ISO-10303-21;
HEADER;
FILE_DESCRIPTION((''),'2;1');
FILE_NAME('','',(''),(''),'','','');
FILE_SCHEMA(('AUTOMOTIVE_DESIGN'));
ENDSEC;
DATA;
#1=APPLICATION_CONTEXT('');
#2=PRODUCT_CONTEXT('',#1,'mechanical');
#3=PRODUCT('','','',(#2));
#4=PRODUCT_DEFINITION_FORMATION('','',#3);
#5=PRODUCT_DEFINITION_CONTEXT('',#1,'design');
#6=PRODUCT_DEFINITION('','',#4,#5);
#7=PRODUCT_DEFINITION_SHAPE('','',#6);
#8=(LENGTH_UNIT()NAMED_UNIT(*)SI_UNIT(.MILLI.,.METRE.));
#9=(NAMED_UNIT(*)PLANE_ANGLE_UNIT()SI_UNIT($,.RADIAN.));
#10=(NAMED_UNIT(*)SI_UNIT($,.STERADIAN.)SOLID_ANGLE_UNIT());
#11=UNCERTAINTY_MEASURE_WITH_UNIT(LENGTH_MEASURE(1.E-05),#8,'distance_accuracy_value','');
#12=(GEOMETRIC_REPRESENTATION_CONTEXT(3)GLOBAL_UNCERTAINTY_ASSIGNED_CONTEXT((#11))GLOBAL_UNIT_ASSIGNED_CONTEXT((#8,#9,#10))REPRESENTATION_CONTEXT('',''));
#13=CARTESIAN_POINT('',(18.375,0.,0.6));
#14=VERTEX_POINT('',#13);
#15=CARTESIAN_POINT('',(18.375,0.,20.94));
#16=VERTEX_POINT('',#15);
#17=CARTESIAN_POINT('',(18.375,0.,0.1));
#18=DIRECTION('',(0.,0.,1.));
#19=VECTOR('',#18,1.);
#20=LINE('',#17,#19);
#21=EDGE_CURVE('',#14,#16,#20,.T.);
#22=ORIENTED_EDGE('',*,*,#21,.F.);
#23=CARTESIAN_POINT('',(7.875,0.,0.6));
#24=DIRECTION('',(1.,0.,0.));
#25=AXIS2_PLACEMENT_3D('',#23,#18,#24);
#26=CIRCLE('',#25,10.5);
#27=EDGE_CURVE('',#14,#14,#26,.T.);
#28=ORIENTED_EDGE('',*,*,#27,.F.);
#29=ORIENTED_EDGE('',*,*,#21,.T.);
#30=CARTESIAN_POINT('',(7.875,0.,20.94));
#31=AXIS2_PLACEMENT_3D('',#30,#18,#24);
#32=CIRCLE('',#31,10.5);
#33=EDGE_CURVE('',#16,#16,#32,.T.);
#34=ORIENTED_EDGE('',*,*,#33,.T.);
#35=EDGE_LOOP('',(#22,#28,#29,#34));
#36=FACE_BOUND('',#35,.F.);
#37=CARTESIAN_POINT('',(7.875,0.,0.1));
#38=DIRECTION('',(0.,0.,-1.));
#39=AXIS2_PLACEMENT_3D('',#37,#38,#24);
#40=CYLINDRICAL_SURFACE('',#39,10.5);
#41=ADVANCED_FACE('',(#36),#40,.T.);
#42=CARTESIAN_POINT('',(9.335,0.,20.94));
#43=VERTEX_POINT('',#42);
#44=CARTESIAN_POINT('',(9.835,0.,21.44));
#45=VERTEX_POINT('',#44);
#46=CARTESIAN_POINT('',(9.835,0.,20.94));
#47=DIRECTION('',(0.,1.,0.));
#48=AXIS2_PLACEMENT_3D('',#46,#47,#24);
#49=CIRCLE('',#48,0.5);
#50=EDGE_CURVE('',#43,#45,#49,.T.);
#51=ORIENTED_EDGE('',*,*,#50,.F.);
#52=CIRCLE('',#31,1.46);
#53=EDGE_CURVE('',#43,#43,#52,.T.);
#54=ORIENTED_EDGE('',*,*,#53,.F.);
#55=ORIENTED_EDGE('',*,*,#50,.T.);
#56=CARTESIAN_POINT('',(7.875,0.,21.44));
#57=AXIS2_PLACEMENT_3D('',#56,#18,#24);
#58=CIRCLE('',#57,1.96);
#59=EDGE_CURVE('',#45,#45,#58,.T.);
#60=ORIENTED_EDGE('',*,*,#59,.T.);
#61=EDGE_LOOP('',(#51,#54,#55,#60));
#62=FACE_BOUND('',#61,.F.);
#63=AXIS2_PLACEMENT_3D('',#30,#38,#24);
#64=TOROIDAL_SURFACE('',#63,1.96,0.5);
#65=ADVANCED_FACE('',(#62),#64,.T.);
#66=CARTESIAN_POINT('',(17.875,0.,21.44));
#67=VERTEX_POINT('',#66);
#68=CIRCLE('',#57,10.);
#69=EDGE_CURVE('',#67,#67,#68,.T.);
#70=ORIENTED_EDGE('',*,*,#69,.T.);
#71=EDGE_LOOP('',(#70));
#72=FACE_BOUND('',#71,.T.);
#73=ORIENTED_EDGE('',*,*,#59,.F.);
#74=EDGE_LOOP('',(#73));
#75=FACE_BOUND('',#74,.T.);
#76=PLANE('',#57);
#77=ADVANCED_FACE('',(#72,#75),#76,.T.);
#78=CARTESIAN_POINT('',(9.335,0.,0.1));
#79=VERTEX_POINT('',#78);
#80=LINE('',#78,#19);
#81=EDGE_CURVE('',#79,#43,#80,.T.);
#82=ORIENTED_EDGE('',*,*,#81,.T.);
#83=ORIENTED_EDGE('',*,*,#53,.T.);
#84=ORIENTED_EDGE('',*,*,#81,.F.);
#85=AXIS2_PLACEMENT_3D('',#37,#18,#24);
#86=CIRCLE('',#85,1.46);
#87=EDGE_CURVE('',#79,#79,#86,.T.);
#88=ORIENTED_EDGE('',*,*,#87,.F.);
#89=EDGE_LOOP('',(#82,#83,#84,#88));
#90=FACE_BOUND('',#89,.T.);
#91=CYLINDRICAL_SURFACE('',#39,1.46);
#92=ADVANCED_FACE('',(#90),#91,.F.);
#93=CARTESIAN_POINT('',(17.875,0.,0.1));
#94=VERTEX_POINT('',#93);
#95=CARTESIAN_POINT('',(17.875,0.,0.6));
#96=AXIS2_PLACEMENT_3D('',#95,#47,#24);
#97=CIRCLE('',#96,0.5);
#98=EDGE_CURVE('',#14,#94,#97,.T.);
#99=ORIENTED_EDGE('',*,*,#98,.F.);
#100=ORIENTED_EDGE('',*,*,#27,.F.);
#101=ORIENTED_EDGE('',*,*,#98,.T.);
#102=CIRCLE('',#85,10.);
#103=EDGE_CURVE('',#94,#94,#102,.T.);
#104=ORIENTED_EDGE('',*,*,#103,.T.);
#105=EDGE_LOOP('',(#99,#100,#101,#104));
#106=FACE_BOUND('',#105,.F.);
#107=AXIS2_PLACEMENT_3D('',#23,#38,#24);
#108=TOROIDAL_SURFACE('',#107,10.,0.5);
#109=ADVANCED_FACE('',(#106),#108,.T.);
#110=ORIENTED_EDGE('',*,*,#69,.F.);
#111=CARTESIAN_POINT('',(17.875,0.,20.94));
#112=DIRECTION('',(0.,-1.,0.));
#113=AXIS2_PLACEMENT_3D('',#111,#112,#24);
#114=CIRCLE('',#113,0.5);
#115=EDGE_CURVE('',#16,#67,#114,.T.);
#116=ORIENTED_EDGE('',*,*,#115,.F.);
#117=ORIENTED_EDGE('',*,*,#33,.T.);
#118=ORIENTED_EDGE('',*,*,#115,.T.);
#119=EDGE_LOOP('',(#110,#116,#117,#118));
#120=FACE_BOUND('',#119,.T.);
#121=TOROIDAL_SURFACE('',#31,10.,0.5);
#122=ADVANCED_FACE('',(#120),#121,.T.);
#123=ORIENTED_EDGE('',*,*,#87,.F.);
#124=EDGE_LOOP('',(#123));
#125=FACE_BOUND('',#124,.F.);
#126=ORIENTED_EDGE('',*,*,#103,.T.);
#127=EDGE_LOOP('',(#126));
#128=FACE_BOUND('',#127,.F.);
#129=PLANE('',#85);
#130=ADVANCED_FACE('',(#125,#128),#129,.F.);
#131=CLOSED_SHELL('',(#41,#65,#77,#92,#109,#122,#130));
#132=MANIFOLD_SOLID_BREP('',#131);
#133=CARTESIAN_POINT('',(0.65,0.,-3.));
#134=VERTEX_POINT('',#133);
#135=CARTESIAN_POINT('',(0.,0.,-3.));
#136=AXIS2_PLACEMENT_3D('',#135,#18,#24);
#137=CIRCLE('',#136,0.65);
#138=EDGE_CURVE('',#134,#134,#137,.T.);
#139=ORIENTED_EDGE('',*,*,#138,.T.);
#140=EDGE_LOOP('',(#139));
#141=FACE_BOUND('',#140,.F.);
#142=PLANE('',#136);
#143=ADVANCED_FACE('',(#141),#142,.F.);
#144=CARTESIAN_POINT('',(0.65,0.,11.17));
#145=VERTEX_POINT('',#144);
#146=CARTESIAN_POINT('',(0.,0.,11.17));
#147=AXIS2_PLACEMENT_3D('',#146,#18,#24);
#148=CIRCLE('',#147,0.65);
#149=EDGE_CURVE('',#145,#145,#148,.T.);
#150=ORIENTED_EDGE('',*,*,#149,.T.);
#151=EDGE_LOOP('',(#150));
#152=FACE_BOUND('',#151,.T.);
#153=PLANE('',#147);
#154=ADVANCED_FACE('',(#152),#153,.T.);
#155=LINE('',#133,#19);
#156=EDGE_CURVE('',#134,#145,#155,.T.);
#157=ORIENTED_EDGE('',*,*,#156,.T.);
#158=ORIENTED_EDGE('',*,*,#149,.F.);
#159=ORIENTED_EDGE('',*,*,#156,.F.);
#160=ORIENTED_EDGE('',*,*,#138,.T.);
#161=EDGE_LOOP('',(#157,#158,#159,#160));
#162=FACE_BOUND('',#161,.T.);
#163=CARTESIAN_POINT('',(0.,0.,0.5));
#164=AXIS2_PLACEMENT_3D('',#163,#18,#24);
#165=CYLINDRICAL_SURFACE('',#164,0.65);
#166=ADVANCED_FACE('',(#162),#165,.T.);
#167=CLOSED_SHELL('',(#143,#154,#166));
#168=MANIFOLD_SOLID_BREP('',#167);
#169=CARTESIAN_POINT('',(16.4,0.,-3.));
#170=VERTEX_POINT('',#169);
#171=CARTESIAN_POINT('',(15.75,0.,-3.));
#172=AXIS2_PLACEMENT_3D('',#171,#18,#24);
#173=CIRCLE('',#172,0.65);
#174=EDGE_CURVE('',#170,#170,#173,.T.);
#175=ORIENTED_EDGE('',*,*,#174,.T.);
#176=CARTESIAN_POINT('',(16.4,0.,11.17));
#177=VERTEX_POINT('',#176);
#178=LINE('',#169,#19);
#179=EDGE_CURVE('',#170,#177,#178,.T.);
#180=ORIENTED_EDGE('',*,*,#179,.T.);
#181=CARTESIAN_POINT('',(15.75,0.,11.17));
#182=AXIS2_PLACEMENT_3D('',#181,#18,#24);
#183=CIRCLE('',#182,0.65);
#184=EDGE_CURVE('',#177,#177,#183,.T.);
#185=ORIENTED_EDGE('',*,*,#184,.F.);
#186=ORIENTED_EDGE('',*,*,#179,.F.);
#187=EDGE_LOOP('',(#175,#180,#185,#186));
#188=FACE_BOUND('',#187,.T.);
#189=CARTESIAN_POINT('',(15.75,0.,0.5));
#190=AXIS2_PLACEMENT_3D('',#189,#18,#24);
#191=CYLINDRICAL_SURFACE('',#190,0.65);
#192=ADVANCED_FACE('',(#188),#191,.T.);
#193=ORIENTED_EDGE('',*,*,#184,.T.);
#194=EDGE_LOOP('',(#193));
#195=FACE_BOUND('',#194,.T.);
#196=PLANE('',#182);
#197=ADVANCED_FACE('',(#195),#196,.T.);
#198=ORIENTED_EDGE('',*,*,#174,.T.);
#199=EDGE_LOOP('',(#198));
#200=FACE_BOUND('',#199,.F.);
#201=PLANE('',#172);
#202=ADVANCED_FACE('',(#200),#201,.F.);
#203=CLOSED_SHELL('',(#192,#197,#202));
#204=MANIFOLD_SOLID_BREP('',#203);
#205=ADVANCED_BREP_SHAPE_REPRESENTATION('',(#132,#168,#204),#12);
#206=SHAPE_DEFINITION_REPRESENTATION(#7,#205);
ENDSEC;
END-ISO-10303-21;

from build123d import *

# Parameters (mm, degrees)
SKETCH001_R       = 0.65
PAD001_DEPTH      = 10.67
PAD001_DEPTH_BACK = 3.5
SKETCH_R          = 10.5
SKETCH_R_2        = 1.46
PAD_DEPTH         = 21.34
FILLET_R          = 0.5


with BuildPart() as pad001:
    # Sketch001 → Pad001 (new body, two sides)
    with BuildSketch(Plane.XY.offset(0.5)) as pad001_sk:
        Circle(SKETCH001_R)
        with Locations((15.75, 0)):
            Circle(SKETCH001_R)
    extrude(amount=PAD001_DEPTH)
    extrude(pad001_sk.sketch, amount=-PAD001_DEPTH_BACK)


with BuildPart() as fillet_body:
    # Sketch → Pad (new body)
    with BuildSketch(Plane.XY.offset(0.1)):
        with Locations((7.875, 0)):
            Circle(SKETCH_R)
        with Locations((7.875, 0)):
            Circle(SKETCH_R_2, mode=Mode.SUBTRACT)
    extrude(amount=PAD_DEPTH)

    # Fillet
    fillet_edges = [fillet_body.edges().sort_by_distance(p)[0] for p in [
        (6.415, 0, 21.44),
        (-2.625, 0, 21.44),
        (-2.625, 0, 0.1),
    ]]
    fillet(fillet_edges, radius=FILLET_R)


solid = Compound([pad001.part, fillet_body.part])
